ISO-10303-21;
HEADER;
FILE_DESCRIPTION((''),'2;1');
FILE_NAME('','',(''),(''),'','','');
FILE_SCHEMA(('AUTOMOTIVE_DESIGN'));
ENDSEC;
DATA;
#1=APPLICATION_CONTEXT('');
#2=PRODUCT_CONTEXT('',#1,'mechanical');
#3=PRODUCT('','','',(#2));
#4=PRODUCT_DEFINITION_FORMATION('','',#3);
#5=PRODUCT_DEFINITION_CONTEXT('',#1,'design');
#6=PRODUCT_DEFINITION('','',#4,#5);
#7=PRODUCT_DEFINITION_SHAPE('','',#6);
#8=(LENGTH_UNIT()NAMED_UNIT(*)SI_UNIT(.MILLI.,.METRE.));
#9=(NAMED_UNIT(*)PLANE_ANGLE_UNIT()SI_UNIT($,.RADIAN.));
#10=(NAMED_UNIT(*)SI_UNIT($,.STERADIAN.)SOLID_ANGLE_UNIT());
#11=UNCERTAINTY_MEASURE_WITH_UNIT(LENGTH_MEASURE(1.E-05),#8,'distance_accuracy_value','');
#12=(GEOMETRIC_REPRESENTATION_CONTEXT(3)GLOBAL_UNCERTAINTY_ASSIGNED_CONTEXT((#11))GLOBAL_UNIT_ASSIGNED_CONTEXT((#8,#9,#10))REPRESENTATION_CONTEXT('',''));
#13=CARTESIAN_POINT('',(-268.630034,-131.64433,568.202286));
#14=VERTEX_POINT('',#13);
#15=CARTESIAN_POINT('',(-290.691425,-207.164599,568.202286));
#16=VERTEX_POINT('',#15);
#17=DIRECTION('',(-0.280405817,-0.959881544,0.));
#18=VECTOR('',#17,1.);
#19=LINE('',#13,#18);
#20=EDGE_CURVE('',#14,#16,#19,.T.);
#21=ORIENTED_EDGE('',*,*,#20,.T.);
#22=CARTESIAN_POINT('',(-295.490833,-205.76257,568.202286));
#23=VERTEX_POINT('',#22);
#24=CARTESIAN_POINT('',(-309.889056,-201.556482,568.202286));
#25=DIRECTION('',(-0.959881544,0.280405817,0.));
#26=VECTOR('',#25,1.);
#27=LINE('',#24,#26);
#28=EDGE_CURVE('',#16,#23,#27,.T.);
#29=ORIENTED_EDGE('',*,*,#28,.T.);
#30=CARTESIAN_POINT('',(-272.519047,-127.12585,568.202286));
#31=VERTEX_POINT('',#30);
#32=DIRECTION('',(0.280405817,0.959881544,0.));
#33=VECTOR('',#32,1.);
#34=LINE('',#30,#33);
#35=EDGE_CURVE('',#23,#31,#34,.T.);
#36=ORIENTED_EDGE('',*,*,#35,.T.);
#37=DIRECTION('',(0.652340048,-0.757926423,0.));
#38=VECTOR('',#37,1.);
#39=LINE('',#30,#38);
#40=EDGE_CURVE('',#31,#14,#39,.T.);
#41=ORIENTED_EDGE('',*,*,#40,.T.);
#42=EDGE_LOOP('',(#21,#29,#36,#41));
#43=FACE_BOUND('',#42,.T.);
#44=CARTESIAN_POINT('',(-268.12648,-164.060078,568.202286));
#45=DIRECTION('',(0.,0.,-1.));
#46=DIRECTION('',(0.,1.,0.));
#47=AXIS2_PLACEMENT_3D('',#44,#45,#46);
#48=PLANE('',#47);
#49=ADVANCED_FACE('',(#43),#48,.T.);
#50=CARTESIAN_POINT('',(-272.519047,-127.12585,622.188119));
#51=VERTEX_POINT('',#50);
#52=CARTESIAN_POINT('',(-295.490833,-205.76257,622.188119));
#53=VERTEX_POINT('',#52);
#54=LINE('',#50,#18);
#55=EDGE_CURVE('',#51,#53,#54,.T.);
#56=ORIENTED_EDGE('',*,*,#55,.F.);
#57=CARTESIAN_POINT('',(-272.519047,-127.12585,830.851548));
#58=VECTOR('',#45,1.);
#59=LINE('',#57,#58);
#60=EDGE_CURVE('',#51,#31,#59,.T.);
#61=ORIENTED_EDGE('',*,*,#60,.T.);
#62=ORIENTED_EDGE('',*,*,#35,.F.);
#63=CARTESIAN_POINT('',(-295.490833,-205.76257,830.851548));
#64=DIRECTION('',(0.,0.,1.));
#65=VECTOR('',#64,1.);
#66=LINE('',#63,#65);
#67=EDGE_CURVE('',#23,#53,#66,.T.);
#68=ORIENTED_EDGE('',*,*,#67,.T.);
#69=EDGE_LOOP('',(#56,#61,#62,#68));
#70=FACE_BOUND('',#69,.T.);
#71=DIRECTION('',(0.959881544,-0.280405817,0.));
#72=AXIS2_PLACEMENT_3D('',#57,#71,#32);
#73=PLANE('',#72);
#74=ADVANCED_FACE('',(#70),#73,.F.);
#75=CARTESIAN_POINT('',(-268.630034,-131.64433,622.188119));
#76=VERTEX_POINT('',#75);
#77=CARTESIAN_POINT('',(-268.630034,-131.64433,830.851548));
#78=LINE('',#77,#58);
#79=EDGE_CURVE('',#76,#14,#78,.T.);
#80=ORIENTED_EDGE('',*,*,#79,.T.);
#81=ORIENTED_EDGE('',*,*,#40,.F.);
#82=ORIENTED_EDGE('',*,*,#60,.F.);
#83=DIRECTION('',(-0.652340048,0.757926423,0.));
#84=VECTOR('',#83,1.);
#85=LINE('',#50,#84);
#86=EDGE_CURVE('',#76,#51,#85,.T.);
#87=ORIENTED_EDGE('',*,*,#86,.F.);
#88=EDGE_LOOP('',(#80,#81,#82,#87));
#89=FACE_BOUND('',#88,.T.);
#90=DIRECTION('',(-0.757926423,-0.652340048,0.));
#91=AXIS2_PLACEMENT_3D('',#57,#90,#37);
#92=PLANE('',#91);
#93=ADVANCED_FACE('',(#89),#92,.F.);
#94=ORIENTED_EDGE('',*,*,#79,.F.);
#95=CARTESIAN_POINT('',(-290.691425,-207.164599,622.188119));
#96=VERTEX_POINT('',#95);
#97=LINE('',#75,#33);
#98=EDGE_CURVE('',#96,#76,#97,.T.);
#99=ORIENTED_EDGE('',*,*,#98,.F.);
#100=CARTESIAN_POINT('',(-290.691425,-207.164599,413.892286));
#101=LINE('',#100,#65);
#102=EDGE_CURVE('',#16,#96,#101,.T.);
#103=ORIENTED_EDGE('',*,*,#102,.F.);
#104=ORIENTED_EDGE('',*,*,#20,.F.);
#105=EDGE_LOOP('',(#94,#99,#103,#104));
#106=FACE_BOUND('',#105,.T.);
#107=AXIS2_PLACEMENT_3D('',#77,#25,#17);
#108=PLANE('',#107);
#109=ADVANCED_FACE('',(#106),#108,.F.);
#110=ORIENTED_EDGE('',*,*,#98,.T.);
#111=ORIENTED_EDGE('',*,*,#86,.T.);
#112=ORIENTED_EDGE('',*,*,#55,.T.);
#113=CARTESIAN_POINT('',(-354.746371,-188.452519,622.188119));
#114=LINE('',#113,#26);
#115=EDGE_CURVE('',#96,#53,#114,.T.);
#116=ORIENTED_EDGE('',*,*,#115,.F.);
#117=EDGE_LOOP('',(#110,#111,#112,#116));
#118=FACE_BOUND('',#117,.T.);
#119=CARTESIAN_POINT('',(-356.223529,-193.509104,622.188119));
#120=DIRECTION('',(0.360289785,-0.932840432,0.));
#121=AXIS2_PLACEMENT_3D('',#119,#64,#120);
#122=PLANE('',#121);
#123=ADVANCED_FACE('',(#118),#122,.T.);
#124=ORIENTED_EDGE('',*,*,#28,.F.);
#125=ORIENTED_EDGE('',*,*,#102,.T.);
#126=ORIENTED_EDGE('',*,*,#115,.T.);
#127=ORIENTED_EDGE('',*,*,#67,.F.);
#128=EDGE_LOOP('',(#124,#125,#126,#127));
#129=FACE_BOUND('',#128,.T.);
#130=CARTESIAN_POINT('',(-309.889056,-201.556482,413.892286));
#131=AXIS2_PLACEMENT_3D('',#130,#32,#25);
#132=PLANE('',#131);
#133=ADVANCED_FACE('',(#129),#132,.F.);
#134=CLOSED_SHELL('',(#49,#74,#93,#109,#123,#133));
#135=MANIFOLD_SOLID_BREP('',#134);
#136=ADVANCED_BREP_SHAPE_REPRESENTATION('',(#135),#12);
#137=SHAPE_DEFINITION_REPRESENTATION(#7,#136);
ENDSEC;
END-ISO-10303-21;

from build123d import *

# Parameters (mm, degrees)
BOSS_EXTRUDE1_DEPTH = 208.295833
SKETCH2_W           = 208.295833075
SKETCH2_H           = 125.616174383
CUT_EXTRUDE1_DEPTH  = 20
SKETCH3_R           = 77.5
CUT_EXTRUDE2_DEPTH  = 155.31


with BuildPart() as part:
    # Sketch1 → Boss-Extrude1 (new body)
    with BuildSketch(Plane.XY.offset(413.892285509)):
        Polygon((-272.519046524, -127.125849596), (-268.630033514, -131.644329993), (-324.842905159, -324.071500461), (-330.714338905, -326.339216919), align=None)
    extrude(amount=BOSS_EXTRUDE1_DEPTH)

    # Sketch2 → Cut-Extrude1 (cut)
    with BuildSketch(Plane(origin=(-212.075436587, 61.95263001, 0), x_dir=(0, 0, -1), z_dir=(0.959881544, -0.280405817, 0))):
        with Locations((-518.040202046, -343.17312855)):
            Rectangle(SKETCH2_W, SKETCH2_H)
    extrude(amount=-CUT_EXTRUDE1_DEPTH, mode=Mode.SUBTRACT)

    # Sketch3 → Cut-Extrude2 (cut, through all)
    with BuildSketch(Plane(origin=(0, 0, 568.202285509), x_dir=(-1, 0, 0), z_dir=(0, 0, -1))):
        with Locations((268.126479956, -164.060077585)):
            Circle(SKETCH3_R)
    extrude(amount=CUT_EXTRUDE2_DEPTH, mode=Mode.SUBTRACT)


solid = part.part
